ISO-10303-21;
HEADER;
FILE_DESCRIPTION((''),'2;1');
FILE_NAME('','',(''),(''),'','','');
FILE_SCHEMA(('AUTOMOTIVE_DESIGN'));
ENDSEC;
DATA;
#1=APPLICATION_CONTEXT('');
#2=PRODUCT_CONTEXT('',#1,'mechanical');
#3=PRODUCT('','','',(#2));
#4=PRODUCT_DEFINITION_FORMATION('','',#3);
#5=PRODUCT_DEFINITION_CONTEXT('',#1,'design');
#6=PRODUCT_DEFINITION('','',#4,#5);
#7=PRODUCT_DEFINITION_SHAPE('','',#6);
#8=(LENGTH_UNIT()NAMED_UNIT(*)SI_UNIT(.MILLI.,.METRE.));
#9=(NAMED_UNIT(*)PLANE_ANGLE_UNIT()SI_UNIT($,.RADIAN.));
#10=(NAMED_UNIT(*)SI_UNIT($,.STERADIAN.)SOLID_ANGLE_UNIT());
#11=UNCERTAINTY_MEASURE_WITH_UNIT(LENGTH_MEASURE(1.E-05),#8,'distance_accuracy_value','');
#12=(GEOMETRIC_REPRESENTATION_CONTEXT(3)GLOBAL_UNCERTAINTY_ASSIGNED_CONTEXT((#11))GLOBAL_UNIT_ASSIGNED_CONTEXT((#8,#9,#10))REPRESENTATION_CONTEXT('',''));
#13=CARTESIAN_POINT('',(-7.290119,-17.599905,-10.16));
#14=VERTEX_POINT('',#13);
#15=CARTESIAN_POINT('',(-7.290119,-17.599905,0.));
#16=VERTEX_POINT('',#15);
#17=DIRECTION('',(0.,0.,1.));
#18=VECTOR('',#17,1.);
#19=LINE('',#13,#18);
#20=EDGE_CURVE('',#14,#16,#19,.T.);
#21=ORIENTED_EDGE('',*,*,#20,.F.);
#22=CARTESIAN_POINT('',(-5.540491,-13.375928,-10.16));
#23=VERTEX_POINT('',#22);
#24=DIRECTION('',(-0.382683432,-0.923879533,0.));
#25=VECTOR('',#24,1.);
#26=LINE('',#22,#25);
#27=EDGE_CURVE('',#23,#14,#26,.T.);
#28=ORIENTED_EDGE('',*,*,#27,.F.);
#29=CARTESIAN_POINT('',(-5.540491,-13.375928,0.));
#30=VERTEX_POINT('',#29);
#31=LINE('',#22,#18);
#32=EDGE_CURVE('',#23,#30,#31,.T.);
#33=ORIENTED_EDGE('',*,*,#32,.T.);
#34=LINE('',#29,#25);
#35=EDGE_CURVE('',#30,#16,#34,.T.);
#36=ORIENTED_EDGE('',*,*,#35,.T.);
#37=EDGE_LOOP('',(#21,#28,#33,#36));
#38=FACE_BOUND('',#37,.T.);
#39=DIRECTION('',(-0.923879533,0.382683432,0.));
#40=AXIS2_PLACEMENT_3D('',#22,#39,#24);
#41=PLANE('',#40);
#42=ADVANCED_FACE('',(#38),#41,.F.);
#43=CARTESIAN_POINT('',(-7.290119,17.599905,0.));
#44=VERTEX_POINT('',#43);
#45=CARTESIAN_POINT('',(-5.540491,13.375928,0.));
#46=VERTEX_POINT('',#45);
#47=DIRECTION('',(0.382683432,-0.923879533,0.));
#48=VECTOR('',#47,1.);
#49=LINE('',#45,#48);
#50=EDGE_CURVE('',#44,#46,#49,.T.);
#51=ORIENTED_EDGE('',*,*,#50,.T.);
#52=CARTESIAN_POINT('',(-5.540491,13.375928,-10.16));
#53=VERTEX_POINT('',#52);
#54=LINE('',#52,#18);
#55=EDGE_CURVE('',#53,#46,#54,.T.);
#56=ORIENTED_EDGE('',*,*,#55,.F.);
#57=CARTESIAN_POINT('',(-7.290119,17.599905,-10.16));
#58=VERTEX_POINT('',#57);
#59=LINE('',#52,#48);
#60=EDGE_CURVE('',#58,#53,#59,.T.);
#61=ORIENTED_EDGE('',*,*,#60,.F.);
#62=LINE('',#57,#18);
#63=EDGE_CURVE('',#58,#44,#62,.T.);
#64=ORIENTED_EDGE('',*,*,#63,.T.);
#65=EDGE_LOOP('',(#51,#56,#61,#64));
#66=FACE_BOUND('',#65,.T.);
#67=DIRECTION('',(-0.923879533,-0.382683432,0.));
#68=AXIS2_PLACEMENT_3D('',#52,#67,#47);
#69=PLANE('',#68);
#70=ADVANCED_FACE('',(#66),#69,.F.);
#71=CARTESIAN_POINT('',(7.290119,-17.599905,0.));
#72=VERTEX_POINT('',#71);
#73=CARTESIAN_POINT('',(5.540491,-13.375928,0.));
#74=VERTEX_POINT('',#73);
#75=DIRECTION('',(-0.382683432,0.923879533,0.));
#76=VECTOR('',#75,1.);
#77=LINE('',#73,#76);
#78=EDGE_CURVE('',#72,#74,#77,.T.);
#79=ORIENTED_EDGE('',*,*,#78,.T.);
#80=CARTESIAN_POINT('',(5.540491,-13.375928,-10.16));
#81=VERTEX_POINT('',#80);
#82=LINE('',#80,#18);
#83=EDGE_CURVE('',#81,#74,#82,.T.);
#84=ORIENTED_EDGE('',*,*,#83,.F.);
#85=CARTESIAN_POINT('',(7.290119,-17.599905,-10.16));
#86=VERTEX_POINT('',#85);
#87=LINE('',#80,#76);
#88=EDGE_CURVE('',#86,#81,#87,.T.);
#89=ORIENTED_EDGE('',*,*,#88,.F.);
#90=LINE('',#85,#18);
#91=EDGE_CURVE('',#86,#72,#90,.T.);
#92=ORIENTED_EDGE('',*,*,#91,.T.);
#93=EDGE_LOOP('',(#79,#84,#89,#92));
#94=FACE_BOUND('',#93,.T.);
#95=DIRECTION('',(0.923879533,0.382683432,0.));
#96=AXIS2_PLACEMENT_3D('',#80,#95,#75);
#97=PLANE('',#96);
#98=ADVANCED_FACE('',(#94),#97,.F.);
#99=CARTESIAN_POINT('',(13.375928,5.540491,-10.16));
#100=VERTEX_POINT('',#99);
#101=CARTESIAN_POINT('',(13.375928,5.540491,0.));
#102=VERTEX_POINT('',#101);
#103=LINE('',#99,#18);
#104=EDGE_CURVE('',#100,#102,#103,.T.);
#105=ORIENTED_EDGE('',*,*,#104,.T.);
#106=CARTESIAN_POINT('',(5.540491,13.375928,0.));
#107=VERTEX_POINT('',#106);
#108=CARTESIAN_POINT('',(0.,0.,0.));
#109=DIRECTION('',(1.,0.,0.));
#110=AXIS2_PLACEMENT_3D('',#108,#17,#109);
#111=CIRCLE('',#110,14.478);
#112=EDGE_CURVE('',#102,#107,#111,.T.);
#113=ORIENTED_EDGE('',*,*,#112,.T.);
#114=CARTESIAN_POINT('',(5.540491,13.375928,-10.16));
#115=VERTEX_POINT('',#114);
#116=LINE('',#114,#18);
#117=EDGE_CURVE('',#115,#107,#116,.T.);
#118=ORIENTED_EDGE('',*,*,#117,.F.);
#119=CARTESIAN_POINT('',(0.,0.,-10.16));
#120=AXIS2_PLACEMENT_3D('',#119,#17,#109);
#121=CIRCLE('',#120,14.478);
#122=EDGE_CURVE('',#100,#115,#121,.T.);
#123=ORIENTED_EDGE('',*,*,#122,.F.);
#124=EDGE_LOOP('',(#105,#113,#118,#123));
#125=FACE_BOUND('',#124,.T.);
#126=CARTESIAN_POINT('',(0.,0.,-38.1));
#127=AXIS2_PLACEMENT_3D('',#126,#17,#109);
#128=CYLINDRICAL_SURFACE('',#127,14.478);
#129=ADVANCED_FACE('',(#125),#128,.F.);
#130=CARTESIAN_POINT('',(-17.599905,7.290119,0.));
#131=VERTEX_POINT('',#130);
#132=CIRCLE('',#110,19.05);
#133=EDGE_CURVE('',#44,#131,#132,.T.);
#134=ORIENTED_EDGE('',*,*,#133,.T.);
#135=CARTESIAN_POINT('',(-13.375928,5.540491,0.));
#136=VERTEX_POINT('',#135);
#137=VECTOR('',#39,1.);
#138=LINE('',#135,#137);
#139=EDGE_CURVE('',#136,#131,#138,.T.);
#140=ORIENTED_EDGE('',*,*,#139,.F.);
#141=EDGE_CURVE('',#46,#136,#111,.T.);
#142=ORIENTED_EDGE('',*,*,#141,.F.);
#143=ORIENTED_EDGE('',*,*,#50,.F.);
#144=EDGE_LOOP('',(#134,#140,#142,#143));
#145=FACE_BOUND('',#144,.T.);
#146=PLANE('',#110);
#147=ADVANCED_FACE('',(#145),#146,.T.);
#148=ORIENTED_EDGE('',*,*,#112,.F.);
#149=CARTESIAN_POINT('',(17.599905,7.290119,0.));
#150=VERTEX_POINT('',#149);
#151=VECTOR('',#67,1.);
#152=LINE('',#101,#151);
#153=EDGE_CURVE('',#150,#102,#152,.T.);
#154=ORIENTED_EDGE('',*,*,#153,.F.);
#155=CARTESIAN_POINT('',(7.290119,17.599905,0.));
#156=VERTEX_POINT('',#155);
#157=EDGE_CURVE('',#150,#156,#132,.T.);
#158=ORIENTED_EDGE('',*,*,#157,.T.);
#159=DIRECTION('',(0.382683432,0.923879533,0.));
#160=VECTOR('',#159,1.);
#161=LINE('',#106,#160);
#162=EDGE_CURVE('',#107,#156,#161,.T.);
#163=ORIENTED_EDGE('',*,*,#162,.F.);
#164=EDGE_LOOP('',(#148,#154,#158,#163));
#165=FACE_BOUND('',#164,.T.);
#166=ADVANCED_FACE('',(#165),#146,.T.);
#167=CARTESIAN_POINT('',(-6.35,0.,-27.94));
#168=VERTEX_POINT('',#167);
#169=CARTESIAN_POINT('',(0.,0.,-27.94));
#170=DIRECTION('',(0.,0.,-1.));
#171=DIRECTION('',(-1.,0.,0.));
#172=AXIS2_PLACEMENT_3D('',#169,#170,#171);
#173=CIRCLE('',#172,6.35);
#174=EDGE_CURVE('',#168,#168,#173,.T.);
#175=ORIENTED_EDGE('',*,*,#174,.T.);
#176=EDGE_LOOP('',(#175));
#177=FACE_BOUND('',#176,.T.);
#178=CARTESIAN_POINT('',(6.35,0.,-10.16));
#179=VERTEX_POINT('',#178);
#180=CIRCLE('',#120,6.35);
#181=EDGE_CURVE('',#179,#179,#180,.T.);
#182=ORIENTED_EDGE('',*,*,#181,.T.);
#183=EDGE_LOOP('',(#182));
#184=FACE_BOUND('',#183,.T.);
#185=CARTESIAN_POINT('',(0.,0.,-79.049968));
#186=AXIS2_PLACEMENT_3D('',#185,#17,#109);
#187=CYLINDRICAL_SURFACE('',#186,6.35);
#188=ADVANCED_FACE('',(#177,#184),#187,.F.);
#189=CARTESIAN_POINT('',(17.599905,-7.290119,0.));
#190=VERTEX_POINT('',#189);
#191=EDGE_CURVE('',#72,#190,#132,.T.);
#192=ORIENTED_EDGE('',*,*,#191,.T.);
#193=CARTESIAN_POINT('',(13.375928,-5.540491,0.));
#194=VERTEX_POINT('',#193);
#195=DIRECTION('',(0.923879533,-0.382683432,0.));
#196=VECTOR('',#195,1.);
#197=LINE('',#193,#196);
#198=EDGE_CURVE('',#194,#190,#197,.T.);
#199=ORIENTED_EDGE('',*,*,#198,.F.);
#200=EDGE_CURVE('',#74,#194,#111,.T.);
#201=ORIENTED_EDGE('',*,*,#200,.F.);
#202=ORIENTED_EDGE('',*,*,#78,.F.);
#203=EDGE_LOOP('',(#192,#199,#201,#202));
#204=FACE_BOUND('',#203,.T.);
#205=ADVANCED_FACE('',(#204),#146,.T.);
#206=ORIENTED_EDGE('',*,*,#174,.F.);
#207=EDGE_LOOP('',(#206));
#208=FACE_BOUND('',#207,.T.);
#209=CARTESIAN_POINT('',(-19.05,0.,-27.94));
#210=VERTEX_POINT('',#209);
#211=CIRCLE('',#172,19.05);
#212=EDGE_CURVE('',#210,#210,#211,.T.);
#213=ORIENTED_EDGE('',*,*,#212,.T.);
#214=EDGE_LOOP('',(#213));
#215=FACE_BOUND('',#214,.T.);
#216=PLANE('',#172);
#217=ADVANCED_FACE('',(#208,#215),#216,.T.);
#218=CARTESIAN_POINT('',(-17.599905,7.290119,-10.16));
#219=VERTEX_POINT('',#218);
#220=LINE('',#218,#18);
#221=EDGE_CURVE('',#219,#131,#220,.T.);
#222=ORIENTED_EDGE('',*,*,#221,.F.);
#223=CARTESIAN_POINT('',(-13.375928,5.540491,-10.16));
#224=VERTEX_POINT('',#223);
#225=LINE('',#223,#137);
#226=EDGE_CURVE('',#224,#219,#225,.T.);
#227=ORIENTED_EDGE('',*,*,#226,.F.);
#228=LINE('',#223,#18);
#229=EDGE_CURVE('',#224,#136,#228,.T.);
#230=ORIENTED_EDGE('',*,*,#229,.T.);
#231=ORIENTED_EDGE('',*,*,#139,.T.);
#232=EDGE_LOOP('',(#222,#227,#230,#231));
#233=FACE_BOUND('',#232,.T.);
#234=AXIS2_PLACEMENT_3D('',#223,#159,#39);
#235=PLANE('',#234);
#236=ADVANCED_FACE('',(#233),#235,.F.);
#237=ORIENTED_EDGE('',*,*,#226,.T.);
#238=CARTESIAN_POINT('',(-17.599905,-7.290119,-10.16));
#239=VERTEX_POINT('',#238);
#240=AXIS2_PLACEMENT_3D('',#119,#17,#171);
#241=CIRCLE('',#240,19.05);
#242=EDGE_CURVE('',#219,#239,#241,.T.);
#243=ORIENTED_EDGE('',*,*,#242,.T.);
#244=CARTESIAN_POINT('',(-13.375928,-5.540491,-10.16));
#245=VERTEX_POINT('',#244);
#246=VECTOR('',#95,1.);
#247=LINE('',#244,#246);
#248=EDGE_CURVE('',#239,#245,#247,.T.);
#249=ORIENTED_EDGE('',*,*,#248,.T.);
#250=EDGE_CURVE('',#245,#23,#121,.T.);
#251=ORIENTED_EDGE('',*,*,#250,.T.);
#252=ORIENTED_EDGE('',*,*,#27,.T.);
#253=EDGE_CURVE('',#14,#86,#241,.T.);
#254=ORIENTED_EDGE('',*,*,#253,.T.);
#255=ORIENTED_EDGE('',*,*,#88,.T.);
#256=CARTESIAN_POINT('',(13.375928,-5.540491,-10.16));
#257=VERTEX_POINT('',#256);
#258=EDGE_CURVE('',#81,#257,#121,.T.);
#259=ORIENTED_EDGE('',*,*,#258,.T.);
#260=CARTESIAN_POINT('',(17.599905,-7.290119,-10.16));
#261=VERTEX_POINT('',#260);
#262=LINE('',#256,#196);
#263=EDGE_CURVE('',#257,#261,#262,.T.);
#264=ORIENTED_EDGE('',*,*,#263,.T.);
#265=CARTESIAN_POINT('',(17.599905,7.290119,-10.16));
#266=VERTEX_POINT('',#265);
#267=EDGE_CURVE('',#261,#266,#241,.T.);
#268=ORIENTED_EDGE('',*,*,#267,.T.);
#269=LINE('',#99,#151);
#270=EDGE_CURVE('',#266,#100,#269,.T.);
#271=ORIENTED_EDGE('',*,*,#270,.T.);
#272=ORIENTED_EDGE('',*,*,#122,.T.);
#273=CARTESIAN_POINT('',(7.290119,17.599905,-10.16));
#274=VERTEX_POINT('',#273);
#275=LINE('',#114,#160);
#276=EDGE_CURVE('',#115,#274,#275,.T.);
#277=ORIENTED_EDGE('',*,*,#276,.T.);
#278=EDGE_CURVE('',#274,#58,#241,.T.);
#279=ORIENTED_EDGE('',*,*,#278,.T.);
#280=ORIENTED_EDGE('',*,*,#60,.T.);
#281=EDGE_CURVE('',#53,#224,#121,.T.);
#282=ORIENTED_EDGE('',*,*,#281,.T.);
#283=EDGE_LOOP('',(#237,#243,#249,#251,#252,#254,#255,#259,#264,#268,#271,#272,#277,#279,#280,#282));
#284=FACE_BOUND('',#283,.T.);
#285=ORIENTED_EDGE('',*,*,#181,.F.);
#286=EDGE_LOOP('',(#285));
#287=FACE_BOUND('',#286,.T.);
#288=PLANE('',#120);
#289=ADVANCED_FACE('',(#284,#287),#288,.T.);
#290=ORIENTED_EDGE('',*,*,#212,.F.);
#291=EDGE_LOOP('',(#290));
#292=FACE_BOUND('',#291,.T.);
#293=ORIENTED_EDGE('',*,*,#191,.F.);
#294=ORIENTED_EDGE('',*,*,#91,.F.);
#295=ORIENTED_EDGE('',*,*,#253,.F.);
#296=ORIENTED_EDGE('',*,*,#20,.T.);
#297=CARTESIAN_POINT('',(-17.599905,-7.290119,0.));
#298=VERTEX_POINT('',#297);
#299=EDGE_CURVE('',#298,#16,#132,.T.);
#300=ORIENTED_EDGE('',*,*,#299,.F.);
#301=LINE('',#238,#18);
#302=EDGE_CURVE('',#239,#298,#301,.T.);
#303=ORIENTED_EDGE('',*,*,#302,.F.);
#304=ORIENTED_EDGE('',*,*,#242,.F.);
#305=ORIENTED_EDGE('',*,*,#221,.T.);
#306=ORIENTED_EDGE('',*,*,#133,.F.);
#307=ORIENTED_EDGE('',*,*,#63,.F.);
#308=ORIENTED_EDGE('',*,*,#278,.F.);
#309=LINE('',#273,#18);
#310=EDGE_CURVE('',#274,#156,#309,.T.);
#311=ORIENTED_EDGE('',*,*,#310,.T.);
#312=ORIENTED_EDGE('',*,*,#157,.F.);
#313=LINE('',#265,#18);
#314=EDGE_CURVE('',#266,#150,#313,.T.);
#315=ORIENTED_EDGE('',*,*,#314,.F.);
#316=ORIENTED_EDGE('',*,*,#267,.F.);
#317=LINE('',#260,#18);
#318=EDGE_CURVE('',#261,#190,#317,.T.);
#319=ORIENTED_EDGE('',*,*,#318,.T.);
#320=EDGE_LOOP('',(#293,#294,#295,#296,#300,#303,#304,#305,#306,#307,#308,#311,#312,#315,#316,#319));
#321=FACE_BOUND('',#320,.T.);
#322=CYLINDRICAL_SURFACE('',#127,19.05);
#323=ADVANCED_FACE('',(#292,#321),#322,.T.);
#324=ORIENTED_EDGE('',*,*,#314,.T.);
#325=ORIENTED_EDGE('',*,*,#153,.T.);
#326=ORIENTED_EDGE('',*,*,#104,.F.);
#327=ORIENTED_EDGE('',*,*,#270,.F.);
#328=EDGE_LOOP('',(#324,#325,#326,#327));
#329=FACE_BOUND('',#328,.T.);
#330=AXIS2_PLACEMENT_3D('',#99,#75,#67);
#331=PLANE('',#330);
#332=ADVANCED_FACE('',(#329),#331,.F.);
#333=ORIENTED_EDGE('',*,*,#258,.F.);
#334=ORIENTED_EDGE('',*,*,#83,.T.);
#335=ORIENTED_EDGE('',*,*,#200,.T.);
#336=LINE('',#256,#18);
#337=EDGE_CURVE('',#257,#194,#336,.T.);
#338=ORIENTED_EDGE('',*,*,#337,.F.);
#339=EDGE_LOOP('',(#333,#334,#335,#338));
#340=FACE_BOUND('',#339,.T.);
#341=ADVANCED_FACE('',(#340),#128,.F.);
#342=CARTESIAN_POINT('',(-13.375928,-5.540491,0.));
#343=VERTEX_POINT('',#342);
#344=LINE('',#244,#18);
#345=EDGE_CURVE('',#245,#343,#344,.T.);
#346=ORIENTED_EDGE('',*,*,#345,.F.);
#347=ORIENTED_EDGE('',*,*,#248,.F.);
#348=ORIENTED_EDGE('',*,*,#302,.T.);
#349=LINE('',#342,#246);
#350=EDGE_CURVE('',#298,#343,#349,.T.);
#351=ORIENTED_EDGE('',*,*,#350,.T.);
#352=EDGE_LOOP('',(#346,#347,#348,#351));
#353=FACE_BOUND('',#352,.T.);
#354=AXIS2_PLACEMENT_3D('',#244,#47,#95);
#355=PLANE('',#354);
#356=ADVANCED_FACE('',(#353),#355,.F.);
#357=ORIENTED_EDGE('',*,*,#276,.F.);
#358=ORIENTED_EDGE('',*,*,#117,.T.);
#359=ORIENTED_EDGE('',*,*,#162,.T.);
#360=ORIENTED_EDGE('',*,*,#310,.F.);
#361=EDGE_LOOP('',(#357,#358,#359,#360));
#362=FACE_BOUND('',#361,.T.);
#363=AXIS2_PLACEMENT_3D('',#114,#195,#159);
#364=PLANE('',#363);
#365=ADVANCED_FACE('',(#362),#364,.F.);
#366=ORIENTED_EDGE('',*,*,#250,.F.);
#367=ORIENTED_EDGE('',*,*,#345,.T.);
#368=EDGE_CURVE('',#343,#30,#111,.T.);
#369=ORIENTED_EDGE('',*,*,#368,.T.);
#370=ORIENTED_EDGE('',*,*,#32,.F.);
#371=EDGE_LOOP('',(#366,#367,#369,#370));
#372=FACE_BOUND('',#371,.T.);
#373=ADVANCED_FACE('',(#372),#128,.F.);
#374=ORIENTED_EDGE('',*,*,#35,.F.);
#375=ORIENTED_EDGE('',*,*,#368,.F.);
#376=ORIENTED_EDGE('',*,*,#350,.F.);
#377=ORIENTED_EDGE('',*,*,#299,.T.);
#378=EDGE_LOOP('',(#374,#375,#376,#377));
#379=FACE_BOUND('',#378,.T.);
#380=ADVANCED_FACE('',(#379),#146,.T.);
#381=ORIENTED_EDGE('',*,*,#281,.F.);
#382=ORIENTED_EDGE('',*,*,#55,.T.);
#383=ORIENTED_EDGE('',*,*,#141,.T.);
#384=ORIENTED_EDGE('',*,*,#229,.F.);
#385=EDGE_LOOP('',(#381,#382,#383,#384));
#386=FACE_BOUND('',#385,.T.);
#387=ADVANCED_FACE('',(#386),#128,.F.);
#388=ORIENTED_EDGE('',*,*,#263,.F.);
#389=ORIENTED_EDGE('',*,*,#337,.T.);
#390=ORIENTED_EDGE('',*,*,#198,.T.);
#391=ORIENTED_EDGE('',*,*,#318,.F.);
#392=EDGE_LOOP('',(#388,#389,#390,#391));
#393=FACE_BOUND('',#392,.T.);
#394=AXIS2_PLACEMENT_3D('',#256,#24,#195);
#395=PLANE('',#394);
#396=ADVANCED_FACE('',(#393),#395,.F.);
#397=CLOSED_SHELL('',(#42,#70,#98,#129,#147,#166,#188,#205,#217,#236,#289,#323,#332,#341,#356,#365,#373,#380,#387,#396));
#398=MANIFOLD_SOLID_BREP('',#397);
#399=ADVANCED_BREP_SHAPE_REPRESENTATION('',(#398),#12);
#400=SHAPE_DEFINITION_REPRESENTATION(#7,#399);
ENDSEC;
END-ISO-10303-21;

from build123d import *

# Parameters (mm, degrees)
SKETCH1_R           = 19.05
SKETCH1_R_2         = 14.478
BOSS_EXTRUDE1_DEPTH = 38.1
BOSS_EXTRUDE2_START = -10.16
SKETCH2_R           = 14.478
SKETCH2_R_2         = 6.35
BOSS_EXTRUDE2_DEPTH = 27.94
CUT_EXTRUDE1_DEPTH  = 10.16
CUT_EXTRUDE2_START  = -10.16
SKETCH4_R           = 19.05
SKETCH4_R_2         = 6.35
CUT_EXTRUDE2_DEPTH  = 10.16


with BuildPart() as part:
    # Sketch1 → Boss-Extrude1 (new body)
    with BuildSketch(Plane.XY):
        Circle(SKETCH1_R)
        Circle(SKETCH1_R_2, mode=Mode.SUBTRACT)
    extrude(amount=-BOSS_EXTRUDE1_DEPTH)

    # Sketch2 → Boss-Extrude2 (add)
    with BuildSketch(Plane.XY.offset(BOSS_EXTRUDE2_START)):
        Circle(SKETCH2_R)
        Circle(SKETCH2_R_2, mode=Mode.SUBTRACT)
    extrude(amount=-BOSS_EXTRUDE2_DEPTH)

    # Sketch3 → Cut-Extrude1 (cut)
    with BuildSketch(Plane.XY):
        with BuildLine():
            Line((-5.540490734, 13.375927872), (-7.290119387, 17.599905094))
            ThreePointArc((-7.290119387, 17.599905094), (0, 19.05), (7.290119387, 17.599905094))
            Line((7.290119387, 17.599905094), (5.540490734, 13.375927872))
            ThreePointArc((5.540490734, 13.375927872), (0, 14.478), (-5.540490734, 13.375927872))
        make_face()
        with BuildLine():
            Line((13.375927872, 5.540490734), (17.599905094, 7.290119387))
            ThreePointArc((17.599905094, 7.290119387), (19.05, 0), (17.599905094, -7.290119387))
            Line((17.599905094, -7.290119387), (13.375927872, -5.540490734))
            ThreePointArc((13.375927872, -5.540490734), (14.478, 0), (13.375927872, 5.540490734))
        make_face()
        with BuildLine():
            Line((5.540490734, -13.375927872), (7.290119387, -17.599905094))
            ThreePointArc((7.290119387, -17.599905094), (0, -19.05), (-7.290119387, -17.599905094))
            Line((-7.290119387, -17.599905094), (-5.540490734, -13.375927872))
            ThreePointArc((-5.540490734, -13.375927872), (0, -14.478), (5.540490734, -13.375927872))
        make_face()
        with BuildLine():
            Line((-13.375927872, -5.540490734), (-17.599905094, -7.290119387))
            ThreePointArc((-17.599905094, -7.290119387), (-19.05, 0), (-17.599905094, 7.290119387))
            Line((-17.599905094, 7.290119387), (-13.375927872, 5.540490734))
            ThreePointArc((-13.375927872, 5.540490734), (-14.478, 0), (-13.375927872, -5.540490734))
        make_face()
    extrude(amount=-CUT_EXTRUDE1_DEPTH, mode=Mode.SUBTRACT)

    # Sketch4 → Cut-Extrude2 (cut)
    with BuildSketch(Plane(origin=(0, 0, -38.1), x_dir=(-1, 0, 0), z_dir=(0, 0, -1)).offset(CUT_EXTRUDE2_START)):
        with Locations(Location((0, 0, 0), (0, 0, 157.5))):
            Circle(SKETCH4_R)
        with Locations(Location((0, 0, 0), (0, 0, 180))):
            Circle(SKETCH4_R_2, mode=Mode.SUBTRACT)
    extrude(amount=CUT_EXTRUDE2_DEPTH, mode=Mode.SUBTRACT)


solid = part.part
